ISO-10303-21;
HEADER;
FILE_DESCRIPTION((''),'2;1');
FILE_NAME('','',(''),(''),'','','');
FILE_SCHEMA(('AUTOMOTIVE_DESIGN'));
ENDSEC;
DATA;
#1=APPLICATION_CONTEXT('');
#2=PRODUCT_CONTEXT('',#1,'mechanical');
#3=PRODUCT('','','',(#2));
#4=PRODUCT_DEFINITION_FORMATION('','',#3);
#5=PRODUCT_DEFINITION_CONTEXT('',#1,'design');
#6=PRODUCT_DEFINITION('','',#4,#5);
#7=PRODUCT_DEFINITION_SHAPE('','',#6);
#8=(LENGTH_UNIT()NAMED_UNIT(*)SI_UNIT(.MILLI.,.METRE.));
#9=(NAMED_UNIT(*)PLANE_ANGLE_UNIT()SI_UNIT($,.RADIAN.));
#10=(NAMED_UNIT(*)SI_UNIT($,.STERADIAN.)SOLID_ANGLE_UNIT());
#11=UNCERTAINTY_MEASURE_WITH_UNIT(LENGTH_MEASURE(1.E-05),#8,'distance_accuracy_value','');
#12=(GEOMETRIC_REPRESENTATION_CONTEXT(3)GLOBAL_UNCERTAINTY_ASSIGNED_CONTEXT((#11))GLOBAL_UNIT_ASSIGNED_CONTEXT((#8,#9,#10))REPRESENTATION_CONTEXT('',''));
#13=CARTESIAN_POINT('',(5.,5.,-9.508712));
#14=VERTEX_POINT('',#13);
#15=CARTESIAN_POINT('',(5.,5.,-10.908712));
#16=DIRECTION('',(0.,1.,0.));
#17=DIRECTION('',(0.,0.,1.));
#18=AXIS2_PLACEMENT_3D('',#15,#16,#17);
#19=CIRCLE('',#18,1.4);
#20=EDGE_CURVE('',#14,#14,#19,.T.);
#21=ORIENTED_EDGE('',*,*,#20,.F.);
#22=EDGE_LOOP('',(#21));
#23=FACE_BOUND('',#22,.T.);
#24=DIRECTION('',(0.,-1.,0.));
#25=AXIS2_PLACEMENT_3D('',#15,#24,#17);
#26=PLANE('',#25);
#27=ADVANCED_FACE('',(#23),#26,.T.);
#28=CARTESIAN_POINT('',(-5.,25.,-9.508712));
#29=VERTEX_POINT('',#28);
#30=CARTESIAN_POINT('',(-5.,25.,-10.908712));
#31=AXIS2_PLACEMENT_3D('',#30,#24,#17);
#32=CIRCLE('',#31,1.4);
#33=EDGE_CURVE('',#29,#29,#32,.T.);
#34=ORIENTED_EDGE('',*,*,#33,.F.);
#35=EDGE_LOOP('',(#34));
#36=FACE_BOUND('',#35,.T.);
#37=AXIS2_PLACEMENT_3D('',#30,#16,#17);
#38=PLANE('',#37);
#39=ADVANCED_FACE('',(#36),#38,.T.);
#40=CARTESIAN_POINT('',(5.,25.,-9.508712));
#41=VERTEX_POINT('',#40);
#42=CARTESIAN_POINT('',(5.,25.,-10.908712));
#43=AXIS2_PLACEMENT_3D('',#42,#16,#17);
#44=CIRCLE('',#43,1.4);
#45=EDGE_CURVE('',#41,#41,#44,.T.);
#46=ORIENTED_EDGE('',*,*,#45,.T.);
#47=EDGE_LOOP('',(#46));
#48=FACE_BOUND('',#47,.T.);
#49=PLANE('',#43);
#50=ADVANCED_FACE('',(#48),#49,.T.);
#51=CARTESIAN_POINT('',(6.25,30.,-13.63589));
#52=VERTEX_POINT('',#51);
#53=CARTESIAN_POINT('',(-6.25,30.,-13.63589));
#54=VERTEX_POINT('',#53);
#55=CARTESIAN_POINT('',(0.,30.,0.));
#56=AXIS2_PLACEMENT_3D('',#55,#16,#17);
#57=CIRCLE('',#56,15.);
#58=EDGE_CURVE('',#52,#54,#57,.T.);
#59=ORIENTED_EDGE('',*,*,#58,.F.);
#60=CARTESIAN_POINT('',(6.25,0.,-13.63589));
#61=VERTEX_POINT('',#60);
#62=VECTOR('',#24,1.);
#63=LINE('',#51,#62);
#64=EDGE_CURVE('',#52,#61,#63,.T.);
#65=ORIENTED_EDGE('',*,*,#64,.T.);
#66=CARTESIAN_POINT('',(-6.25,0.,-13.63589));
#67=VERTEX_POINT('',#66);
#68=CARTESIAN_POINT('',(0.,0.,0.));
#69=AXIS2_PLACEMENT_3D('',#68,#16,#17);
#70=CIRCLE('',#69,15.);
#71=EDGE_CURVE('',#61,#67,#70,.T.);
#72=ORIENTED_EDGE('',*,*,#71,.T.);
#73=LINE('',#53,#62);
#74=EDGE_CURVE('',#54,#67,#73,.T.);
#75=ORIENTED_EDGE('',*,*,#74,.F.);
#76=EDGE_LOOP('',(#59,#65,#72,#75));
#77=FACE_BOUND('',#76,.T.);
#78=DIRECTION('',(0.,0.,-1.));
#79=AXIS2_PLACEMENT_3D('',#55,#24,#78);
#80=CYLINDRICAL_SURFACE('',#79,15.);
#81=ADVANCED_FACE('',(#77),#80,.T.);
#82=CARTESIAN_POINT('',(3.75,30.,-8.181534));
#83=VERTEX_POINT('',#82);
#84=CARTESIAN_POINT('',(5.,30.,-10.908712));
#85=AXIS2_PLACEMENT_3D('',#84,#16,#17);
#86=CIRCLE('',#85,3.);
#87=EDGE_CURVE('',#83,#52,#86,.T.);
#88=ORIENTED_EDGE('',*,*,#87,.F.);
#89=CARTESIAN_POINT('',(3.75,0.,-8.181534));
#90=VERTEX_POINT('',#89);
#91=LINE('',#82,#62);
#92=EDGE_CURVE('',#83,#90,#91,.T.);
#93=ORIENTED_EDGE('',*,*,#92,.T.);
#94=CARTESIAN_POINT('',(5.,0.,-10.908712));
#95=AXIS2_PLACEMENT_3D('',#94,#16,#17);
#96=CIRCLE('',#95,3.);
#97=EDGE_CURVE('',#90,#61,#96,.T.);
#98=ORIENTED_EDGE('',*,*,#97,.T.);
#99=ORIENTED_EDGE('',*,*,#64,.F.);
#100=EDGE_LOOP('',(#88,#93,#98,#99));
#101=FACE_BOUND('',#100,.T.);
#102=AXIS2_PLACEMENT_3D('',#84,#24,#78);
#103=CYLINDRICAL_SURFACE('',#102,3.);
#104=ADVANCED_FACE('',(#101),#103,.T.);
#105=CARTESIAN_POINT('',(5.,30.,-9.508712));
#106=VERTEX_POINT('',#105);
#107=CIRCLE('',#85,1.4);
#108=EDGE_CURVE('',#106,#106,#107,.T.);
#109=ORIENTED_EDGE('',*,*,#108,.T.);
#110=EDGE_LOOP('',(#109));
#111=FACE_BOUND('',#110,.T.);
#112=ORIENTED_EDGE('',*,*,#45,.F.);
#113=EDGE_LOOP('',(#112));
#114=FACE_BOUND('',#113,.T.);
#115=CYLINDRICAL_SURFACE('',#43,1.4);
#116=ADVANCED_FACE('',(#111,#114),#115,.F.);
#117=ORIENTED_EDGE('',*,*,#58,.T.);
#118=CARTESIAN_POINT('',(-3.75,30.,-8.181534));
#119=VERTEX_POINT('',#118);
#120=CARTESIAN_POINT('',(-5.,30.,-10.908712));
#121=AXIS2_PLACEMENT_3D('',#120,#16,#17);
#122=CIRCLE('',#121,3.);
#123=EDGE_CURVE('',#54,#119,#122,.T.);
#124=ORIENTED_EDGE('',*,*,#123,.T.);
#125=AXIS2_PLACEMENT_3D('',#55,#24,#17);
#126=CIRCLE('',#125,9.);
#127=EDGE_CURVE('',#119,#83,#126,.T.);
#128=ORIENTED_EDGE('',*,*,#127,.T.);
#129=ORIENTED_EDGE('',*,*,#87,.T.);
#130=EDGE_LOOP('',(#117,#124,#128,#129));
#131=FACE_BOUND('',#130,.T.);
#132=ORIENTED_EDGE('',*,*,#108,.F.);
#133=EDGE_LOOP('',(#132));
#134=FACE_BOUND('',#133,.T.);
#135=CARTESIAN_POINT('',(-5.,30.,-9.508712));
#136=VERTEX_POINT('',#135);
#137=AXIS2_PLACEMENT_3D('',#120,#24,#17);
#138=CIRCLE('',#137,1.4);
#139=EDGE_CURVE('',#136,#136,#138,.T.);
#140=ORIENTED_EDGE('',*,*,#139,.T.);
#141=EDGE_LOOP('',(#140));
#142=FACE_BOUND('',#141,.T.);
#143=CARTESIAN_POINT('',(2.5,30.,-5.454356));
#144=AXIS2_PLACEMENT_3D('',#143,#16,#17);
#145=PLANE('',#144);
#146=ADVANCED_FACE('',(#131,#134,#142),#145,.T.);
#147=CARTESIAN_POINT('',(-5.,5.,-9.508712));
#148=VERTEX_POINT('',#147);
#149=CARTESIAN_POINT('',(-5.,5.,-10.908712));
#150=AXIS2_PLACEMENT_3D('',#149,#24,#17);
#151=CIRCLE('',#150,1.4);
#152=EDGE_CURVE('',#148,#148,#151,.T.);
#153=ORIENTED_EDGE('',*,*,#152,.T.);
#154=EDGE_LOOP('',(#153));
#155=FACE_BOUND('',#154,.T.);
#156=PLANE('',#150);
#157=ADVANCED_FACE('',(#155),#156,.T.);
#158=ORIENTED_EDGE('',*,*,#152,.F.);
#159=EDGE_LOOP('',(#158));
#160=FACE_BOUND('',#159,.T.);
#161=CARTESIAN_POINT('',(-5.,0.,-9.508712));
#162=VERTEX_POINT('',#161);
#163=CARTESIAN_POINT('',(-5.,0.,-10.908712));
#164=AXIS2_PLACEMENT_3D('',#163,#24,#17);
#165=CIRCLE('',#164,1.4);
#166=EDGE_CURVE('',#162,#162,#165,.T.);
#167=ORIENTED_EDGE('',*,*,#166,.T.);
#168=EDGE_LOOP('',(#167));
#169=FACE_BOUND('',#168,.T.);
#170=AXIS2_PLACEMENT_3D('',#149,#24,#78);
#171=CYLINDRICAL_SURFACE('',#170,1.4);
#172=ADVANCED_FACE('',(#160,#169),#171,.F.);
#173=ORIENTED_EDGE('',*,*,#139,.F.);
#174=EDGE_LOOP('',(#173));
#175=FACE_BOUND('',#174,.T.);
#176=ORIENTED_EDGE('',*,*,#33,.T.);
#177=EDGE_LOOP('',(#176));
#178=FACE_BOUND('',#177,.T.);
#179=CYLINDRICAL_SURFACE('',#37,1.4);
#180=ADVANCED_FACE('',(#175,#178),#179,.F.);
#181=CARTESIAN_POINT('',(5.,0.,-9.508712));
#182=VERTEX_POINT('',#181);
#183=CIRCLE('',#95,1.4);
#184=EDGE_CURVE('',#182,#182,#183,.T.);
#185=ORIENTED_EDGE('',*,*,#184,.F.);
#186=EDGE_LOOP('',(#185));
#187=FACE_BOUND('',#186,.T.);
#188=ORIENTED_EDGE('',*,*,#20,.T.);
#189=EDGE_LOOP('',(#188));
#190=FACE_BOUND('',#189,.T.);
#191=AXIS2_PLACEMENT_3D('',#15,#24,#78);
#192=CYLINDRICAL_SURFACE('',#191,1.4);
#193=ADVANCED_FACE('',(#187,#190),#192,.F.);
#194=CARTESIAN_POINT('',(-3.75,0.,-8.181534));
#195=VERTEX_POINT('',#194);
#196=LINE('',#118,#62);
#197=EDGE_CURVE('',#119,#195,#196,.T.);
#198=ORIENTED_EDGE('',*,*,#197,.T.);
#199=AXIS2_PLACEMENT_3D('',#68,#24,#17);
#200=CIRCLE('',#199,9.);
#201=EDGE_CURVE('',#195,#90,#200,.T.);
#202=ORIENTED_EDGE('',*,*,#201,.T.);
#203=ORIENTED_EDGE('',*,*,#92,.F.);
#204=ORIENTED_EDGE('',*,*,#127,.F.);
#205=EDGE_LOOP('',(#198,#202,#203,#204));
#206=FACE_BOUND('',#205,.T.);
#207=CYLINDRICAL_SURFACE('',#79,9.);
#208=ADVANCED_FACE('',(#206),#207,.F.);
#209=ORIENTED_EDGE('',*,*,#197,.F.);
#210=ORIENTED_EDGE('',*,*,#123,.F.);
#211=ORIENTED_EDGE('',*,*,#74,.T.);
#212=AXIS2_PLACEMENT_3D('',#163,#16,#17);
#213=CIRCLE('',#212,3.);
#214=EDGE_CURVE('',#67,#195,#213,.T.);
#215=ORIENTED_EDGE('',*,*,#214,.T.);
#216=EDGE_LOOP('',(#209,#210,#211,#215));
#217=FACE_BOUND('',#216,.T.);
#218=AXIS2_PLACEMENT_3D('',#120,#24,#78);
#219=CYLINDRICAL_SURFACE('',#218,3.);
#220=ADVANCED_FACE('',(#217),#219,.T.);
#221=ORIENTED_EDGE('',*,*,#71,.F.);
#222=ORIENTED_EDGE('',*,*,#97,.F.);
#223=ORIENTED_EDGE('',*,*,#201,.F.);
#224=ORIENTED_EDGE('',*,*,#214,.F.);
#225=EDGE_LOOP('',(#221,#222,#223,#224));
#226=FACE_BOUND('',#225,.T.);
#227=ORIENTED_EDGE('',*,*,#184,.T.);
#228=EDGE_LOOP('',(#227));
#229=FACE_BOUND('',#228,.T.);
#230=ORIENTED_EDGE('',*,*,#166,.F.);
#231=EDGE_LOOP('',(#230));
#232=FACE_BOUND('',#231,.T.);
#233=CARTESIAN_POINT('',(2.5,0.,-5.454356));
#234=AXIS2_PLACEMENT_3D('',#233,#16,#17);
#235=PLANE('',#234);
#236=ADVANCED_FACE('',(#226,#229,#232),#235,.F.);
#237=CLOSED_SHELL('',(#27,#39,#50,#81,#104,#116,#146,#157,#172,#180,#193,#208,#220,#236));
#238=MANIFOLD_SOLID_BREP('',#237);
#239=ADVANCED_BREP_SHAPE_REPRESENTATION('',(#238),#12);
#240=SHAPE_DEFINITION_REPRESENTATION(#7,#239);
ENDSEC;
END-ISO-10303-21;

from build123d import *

# Parameters (mm, degrees)
BOSS_EXTRUDE1_DEPTH     = 30
SKETCH3_R               = 1.4
CUT_EXTRUDE1_DEPTH      = 5
MIRROR2_COPY_1_SKETCH_R = 1.4
MIRROR2_COPY_1_DEPTH    = 5


with BuildPart() as part:
    # Sketch2 → Boss-Extrude1 (new body)
    with BuildSketch(Plane(origin=(0, 0, 0), x_dir=(1, 0, 0), z_dir=(0, 1, 0))):
        with BuildLine():
            ThreePointArc((6.25, 13.635890143), (0, 15), (-6.25, 13.635890143))
            ThreePointArc((-6.25, 13.635890143), (-7.727178029, 9.658712115), (-3.75, 8.181534086))
            ThreePointArc((-3.75, 8.181534086), (0, 9), (3.75, 8.181534086))
            ThreePointArc((3.75, 8.181534086), (7.727178029, 9.658712115), (6.25, 13.635890143))
        make_face()
    extrude(amount=BOSS_EXTRUDE1_DEPTH)

    # Sketch3 → Cut-Extrude1 (cut)
    with BuildSketch(Plane(origin=(0, 30, 0), x_dir=(1, 0, 0), z_dir=(0, 1, 0))):
        with Locations((5, 10.908712115)):
            Circle(SKETCH3_R)
    cut_extrude1 = extrude(amount=-CUT_EXTRUDE1_DEPTH, mode=Mode.SUBTRACT)

    # Mirror1: Cut-Extrude1 across plane
    add(cut_extrude1.mirror(Plane(origin=(0, 0, 0), x_dir=(0, 0, 1), z_dir=(1, 0, 0))), mode=Mode.SUBTRACT)

    # Mirror2: Cut-Extrude1 across plane
    add(cut_extrude1.mirror(Plane.ZX.offset(15)), mode=Mode.SUBTRACT)

    # Mirror2 copy 1 sketch → Mirror2 copy 1 (cut)
    with BuildSketch(Plane(origin=(0, 0, 0), x_dir=(-1, 0, 0), z_dir=(0, -1, 0))):
        with Locations((5, 10.908712115)):
            Circle(MIRROR2_COPY_1_SKETCH_R)
    extrude(amount=-MIRROR2_COPY_1_DEPTH, mode=Mode.SUBTRACT)


solid = part.part
